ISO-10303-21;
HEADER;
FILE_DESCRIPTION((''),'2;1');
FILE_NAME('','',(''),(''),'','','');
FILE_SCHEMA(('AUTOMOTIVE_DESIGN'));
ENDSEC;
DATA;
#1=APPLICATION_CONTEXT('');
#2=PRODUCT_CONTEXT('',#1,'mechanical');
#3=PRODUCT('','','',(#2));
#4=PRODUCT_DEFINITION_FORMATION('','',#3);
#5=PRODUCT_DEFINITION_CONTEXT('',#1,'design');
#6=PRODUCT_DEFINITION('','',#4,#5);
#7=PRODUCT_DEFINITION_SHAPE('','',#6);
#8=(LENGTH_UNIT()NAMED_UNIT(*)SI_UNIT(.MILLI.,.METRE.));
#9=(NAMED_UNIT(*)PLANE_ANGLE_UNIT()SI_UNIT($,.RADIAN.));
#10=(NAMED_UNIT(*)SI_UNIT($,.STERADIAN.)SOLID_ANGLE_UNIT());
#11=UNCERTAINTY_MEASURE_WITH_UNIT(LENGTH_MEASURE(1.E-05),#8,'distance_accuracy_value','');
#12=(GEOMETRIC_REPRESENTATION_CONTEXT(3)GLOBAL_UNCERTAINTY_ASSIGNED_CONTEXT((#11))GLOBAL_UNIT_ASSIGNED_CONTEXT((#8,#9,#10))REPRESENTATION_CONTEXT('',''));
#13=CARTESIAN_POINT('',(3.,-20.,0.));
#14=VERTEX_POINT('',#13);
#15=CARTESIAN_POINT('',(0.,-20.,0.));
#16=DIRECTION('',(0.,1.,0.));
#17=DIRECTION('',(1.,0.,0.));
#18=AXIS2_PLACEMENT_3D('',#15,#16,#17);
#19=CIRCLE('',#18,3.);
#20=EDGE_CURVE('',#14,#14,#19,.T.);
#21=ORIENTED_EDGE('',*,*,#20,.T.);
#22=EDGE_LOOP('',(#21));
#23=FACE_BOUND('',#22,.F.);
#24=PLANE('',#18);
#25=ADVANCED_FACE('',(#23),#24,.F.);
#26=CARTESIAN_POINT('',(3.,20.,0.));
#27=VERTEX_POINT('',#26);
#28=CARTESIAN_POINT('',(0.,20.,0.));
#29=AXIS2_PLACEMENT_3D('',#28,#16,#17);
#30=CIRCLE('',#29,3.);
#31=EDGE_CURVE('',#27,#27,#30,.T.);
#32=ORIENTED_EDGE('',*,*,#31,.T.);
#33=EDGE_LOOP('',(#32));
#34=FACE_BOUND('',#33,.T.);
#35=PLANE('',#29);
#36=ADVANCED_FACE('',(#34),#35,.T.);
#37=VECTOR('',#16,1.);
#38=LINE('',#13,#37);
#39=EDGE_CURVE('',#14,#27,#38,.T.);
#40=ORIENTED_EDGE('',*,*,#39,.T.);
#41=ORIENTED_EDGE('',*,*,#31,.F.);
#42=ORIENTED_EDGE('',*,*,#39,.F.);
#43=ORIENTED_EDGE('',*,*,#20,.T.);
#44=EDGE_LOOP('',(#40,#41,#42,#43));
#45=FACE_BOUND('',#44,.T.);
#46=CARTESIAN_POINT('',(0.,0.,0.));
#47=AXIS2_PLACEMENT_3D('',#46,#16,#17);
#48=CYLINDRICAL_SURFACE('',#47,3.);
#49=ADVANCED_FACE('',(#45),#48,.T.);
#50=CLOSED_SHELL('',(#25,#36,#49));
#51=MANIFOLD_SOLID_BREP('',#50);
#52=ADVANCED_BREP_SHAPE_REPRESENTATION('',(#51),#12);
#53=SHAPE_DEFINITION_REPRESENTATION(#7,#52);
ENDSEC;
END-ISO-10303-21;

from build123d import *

# Parameters (mm, degrees)
SKETCH1_R           = 3
BOSS_EXTRUDE1_DEPTH = 20


with BuildPart() as part:
    # Sketch1 → Boss-Extrude1 (new body, symmetric)
    with BuildSketch(Plane(origin=(0, 0, 0), x_dir=(1, 0, 0), z_dir=(0, 1, 0))):
        Circle(SKETCH1_R)
    extrude(amount=BOSS_EXTRUDE1_DEPTH, both=True)


solid = part.part
